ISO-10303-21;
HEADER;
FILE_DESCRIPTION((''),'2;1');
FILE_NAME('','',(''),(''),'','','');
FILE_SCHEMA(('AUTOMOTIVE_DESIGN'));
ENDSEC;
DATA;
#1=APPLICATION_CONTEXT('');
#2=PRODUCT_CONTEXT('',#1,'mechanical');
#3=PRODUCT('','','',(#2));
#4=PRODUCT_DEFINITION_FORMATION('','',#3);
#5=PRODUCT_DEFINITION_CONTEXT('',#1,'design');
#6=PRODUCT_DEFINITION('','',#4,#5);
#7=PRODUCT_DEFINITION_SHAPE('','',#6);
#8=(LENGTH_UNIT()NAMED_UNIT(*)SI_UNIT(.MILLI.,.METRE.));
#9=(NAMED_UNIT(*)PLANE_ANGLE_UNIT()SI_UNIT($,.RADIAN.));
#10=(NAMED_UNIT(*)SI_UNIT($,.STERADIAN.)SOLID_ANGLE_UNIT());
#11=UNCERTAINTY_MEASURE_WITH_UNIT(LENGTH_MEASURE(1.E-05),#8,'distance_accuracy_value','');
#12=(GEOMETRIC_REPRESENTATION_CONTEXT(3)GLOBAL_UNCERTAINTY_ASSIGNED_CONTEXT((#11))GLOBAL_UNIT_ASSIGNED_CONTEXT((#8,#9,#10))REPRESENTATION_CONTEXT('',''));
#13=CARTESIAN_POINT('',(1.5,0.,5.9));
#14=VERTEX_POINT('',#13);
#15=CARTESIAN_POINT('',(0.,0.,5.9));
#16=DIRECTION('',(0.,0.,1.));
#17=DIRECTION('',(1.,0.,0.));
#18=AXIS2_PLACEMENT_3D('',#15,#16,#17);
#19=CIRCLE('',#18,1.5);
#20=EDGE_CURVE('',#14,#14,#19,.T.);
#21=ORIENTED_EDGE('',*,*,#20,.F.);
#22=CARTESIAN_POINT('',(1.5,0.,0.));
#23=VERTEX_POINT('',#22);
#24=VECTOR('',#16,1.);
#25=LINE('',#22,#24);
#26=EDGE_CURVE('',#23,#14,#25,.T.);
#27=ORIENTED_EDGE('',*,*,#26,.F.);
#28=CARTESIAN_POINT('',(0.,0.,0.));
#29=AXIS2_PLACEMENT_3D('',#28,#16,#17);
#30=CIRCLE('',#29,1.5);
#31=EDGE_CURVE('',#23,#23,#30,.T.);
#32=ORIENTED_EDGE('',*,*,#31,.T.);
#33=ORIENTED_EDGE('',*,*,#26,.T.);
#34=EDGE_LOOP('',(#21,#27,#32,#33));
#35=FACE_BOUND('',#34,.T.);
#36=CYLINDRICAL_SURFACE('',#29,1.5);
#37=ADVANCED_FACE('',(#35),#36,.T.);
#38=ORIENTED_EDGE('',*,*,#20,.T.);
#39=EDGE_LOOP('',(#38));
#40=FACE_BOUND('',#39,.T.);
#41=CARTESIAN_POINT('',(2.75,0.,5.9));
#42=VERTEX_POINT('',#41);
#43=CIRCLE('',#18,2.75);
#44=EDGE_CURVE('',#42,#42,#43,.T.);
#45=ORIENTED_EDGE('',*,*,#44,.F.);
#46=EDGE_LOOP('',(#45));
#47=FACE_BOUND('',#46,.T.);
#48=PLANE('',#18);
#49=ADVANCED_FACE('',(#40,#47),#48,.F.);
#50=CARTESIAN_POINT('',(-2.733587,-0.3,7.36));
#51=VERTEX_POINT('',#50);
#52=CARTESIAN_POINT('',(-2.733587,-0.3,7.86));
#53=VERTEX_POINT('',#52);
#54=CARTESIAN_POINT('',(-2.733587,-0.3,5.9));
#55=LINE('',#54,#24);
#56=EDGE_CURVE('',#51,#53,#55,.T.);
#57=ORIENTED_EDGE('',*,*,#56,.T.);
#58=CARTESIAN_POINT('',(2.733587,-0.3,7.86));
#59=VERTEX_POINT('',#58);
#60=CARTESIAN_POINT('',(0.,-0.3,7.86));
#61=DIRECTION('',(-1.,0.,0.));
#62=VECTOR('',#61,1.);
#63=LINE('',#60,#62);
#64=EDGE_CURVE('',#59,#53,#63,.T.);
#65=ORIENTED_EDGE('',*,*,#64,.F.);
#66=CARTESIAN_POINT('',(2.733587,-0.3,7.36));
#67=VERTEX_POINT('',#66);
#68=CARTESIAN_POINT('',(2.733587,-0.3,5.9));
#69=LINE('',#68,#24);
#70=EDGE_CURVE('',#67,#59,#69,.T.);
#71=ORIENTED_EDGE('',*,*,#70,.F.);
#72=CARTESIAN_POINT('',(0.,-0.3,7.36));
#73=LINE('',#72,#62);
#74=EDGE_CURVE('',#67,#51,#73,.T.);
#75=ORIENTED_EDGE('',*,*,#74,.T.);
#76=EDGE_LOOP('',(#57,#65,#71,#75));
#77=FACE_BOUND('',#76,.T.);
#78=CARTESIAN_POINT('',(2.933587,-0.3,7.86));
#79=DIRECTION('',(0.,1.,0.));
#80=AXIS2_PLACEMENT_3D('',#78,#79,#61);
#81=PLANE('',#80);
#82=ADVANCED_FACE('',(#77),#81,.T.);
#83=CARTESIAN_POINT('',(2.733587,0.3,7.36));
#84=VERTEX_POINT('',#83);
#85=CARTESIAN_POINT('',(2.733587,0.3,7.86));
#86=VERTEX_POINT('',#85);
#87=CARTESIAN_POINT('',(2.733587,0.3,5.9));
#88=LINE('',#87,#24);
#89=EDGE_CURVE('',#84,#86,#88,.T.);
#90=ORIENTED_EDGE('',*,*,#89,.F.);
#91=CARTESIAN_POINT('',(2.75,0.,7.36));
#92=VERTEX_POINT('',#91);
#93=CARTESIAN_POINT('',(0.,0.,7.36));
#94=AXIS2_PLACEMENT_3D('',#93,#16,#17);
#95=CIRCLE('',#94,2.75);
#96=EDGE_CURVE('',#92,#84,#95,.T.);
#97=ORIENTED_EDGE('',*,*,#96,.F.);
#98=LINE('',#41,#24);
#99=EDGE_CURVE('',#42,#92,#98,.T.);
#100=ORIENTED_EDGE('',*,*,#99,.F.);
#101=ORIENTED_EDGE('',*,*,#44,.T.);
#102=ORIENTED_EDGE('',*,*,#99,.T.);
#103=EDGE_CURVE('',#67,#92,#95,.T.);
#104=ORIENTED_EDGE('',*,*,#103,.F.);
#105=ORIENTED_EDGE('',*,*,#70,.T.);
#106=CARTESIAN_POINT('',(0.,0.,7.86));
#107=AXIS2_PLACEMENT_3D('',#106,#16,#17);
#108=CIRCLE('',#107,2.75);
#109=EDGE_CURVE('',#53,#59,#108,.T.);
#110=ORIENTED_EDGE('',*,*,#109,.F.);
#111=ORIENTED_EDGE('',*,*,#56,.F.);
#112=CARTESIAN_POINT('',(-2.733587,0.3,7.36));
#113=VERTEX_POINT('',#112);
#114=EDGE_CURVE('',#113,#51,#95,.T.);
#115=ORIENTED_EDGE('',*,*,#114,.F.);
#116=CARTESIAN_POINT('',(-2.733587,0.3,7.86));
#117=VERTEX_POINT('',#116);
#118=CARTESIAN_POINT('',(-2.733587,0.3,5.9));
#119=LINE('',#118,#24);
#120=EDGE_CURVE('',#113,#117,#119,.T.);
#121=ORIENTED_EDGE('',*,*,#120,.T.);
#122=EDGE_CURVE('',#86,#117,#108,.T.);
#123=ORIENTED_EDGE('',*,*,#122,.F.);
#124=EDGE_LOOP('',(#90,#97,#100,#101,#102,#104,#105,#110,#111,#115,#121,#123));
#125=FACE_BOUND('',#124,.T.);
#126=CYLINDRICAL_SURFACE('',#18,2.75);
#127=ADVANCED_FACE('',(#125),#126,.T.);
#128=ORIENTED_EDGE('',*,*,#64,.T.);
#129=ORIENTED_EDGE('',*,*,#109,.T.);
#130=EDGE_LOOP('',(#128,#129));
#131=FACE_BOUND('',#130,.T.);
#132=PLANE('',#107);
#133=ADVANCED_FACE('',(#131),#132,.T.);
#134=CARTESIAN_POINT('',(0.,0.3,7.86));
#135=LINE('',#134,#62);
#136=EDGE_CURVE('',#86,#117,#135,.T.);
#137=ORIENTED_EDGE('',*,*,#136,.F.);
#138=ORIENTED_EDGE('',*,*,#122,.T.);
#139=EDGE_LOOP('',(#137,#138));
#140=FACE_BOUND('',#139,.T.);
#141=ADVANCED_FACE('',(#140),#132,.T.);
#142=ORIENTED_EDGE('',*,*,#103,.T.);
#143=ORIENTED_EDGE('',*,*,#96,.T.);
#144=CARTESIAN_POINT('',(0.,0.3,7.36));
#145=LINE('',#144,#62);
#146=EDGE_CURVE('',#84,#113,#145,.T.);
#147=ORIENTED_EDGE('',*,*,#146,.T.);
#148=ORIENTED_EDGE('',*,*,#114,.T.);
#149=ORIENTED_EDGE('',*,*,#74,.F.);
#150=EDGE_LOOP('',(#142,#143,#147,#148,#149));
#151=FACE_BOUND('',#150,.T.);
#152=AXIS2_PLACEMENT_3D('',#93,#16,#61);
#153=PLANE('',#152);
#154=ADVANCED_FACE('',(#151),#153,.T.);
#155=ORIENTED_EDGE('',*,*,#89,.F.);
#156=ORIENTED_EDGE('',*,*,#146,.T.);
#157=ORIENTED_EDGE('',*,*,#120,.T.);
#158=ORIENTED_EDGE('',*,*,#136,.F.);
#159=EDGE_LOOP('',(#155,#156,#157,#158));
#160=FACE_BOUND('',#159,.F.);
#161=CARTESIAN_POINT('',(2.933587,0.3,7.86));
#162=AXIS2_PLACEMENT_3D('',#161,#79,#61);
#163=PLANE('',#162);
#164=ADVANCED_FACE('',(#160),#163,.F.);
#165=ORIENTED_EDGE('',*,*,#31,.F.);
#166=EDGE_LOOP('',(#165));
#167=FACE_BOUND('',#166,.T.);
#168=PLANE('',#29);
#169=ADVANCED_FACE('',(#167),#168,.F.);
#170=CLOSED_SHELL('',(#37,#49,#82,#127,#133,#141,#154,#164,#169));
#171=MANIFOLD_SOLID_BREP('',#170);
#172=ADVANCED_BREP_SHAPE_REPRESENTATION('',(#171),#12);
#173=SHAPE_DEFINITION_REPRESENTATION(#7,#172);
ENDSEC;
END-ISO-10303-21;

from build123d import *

# Parameters (mm, degrees)
SKETCH001_W  = 5.867174
SKETCH001_H  = 0.6
POCKET_DEPTH = 0.5


with BuildPart() as part:
    # Sketch → Revolution (revolve)
    with BuildSketch(Plane.XZ):
        Polygon((0, 0), (1.5, 0), (1.5, 5.9), (2.75, 5.9), (2.75, 7.86), (0, 7.86), align=None)
    revolve(axis=Axis((0, 0, 0), (0, 0, 1)))

    # Sketch001 → Pocket (cut)
    with BuildSketch(Plane(origin=(0, 0, 7.86), x_dir=(-1, 0, 0), z_dir=(0, 0, 1))):
        Rectangle(SKETCH001_W, SKETCH001_H)
    extrude(amount=-POCKET_DEPTH, mode=Mode.SUBTRACT)


solid = part.part
